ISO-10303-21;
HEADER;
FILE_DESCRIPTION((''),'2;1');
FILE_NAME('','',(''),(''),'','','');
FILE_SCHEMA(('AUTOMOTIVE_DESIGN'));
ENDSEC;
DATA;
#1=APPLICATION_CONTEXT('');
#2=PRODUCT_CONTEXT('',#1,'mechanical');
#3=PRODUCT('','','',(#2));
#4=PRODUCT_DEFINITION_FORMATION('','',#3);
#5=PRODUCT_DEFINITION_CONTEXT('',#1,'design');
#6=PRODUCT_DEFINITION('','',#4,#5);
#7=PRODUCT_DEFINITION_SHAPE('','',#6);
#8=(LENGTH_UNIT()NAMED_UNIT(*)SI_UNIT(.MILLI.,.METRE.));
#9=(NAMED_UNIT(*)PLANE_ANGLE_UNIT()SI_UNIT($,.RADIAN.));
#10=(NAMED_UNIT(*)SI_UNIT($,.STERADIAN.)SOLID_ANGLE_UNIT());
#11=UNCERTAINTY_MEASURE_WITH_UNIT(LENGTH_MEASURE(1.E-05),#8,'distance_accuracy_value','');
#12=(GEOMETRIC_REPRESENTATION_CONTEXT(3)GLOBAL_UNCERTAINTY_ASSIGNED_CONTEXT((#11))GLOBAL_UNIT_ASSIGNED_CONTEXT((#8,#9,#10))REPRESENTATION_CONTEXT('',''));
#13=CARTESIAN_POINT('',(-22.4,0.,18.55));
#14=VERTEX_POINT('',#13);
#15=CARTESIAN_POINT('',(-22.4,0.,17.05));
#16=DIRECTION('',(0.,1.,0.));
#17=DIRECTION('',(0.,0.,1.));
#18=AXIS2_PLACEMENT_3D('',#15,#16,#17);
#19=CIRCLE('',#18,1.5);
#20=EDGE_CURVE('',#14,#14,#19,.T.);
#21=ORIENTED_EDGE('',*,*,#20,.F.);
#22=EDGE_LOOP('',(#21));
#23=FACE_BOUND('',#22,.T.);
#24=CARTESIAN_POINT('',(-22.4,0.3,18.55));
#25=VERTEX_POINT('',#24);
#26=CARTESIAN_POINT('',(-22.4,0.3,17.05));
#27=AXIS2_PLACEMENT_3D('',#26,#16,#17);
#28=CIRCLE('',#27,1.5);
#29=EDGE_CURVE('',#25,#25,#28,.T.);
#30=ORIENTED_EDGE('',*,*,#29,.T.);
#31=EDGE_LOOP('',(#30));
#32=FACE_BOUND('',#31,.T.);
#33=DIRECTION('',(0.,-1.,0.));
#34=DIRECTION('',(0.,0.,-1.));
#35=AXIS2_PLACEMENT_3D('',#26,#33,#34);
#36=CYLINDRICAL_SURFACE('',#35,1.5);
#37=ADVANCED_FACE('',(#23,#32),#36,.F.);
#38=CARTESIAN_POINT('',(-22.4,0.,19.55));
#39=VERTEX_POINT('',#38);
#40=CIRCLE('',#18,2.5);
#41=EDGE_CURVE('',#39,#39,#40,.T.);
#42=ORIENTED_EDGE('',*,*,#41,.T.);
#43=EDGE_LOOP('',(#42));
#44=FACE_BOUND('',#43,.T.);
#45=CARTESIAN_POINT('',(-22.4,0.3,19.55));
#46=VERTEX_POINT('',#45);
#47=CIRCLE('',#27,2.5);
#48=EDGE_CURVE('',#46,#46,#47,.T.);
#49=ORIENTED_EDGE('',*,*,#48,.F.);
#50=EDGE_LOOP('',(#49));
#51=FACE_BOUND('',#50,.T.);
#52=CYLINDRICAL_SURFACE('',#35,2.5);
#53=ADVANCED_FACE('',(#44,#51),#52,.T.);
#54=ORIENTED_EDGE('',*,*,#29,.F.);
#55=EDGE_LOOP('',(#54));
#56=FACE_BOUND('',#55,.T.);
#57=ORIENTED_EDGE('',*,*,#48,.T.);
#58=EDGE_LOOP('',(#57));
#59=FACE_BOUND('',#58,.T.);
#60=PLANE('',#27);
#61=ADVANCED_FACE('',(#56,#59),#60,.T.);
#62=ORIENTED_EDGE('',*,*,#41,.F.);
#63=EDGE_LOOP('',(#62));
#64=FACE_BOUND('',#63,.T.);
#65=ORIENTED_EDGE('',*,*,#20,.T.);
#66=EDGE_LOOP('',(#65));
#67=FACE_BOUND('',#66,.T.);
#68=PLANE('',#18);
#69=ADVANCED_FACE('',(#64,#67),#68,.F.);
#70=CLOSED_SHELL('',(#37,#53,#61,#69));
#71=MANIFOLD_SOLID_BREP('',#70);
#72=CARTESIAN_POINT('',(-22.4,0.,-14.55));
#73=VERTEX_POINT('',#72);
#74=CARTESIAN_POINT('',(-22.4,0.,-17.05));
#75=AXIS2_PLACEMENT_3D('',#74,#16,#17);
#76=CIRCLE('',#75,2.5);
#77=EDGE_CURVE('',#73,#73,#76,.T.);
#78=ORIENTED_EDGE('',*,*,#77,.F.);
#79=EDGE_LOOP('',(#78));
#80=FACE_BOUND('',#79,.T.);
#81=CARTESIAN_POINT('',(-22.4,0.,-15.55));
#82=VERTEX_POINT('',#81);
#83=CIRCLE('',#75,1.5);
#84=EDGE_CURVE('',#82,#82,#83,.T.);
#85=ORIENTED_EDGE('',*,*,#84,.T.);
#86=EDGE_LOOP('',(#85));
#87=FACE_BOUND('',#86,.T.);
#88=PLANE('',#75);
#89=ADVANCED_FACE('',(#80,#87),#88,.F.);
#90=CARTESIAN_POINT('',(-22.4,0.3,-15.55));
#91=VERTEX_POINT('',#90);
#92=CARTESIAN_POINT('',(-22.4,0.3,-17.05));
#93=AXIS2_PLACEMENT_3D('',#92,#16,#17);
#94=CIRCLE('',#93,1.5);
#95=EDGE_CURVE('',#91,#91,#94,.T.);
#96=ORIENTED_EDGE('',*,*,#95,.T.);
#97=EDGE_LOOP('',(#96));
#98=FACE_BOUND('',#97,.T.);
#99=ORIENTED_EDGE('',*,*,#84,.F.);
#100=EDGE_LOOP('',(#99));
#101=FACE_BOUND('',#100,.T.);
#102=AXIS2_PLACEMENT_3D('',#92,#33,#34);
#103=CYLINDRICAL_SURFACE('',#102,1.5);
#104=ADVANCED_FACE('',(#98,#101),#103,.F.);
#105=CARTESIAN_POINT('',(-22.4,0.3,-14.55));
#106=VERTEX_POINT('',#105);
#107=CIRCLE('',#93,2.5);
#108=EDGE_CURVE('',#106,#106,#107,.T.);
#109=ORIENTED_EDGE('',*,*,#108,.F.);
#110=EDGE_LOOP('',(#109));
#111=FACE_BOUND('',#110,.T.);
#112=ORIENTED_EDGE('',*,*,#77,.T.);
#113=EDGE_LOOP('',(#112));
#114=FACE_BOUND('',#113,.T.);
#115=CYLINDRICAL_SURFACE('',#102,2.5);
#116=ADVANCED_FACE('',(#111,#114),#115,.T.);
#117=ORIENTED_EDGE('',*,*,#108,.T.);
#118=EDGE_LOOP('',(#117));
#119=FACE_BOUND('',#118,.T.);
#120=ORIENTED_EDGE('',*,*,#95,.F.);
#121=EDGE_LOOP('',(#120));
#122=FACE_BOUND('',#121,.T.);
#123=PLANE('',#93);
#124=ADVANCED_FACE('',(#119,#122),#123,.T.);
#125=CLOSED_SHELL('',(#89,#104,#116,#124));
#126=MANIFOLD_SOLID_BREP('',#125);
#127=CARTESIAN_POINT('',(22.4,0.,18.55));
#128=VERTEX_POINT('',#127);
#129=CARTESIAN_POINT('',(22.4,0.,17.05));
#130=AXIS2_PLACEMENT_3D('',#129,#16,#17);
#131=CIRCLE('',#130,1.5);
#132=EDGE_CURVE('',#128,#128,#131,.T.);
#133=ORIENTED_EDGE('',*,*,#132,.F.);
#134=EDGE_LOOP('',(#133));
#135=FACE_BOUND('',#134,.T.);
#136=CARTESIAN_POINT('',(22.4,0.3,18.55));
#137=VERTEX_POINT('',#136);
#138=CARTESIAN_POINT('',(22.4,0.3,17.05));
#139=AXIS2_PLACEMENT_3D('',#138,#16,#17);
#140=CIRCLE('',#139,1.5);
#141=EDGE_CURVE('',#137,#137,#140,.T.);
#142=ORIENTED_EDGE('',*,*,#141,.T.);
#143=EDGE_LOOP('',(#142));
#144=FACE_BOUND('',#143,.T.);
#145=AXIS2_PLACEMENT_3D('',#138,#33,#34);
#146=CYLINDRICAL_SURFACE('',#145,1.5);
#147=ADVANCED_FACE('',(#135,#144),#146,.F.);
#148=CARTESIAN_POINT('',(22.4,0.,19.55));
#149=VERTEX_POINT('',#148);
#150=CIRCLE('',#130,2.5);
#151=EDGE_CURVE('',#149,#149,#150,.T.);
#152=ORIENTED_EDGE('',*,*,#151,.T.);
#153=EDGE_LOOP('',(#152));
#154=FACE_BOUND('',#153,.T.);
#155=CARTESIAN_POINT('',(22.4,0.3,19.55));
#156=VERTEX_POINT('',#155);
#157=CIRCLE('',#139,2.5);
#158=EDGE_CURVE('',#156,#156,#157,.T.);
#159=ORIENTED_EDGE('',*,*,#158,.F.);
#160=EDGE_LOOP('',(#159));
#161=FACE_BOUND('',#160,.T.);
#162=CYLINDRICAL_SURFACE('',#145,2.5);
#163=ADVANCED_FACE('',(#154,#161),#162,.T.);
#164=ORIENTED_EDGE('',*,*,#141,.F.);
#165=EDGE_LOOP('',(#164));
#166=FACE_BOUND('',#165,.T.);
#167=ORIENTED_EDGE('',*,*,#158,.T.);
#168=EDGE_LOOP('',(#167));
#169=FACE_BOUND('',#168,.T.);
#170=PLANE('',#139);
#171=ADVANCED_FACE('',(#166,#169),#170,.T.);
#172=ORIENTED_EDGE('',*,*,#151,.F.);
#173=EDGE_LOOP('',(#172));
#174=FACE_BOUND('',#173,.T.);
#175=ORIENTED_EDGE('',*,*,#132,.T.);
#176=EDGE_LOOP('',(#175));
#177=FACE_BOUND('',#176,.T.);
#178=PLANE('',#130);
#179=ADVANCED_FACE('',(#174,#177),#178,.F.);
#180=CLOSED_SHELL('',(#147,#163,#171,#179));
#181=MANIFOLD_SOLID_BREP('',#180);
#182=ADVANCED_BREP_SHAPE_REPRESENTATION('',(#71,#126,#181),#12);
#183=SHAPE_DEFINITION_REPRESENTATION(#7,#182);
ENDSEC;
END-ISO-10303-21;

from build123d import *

# Parameters (mm, degrees)
SKETCH1_R             = 2.5
SKETCH1_R_2           = 1.5
BOSS_EXTRUDE1_DEPTH   = 0.3
BOSS_EXTRUDE1_2_DEPTH = 0.3
BOSS_EXTRUDE1_3_DEPTH = 0.3


with BuildPart() as part:
    # Sketch1 → Boss-Extrude1 (new body)
    with BuildSketch(Plane(origin=(0, 0, 0), x_dir=(1, 0, 0), z_dir=(0, 1, 0))):
        with Locations((-22.4, 17.05)):
            Circle(SKETCH1_R)
        with Locations((-22.4, 17.05)):
            Circle(SKETCH1_R_2, mode=Mode.SUBTRACT)
    extrude(amount=BOSS_EXTRUDE1_DEPTH)


with BuildPart() as body_2:
    # Sketch1 → Boss-Extrude1 2 (new body)
    with BuildSketch(Plane(origin=(0, 0, 0), x_dir=(1, 0, 0), z_dir=(0, 1, 0))):
        with Locations((-22.4, -17.05)):
            Circle(SKETCH1_R)
        with Locations((-22.4, -17.05)):
            Circle(SKETCH1_R_2, mode=Mode.SUBTRACT)
    extrude(amount=BOSS_EXTRUDE1_2_DEPTH)


with BuildPart() as body_3:
    # Sketch1 → Boss-Extrude1 3 (new body)
    with BuildSketch(Plane(origin=(0, 0, 0), x_dir=(1, 0, 0), z_dir=(0, 1, 0))):
        with Locations((22.4, -17.05)):
            Circle(SKETCH1_R)
        with Locations((22.4, -17.05)):
            Circle(SKETCH1_R_2, mode=Mode.SUBTRACT)
    extrude(amount=BOSS_EXTRUDE1_3_DEPTH)


solid = Compound([part.part, body_2.part, body_3.part])
